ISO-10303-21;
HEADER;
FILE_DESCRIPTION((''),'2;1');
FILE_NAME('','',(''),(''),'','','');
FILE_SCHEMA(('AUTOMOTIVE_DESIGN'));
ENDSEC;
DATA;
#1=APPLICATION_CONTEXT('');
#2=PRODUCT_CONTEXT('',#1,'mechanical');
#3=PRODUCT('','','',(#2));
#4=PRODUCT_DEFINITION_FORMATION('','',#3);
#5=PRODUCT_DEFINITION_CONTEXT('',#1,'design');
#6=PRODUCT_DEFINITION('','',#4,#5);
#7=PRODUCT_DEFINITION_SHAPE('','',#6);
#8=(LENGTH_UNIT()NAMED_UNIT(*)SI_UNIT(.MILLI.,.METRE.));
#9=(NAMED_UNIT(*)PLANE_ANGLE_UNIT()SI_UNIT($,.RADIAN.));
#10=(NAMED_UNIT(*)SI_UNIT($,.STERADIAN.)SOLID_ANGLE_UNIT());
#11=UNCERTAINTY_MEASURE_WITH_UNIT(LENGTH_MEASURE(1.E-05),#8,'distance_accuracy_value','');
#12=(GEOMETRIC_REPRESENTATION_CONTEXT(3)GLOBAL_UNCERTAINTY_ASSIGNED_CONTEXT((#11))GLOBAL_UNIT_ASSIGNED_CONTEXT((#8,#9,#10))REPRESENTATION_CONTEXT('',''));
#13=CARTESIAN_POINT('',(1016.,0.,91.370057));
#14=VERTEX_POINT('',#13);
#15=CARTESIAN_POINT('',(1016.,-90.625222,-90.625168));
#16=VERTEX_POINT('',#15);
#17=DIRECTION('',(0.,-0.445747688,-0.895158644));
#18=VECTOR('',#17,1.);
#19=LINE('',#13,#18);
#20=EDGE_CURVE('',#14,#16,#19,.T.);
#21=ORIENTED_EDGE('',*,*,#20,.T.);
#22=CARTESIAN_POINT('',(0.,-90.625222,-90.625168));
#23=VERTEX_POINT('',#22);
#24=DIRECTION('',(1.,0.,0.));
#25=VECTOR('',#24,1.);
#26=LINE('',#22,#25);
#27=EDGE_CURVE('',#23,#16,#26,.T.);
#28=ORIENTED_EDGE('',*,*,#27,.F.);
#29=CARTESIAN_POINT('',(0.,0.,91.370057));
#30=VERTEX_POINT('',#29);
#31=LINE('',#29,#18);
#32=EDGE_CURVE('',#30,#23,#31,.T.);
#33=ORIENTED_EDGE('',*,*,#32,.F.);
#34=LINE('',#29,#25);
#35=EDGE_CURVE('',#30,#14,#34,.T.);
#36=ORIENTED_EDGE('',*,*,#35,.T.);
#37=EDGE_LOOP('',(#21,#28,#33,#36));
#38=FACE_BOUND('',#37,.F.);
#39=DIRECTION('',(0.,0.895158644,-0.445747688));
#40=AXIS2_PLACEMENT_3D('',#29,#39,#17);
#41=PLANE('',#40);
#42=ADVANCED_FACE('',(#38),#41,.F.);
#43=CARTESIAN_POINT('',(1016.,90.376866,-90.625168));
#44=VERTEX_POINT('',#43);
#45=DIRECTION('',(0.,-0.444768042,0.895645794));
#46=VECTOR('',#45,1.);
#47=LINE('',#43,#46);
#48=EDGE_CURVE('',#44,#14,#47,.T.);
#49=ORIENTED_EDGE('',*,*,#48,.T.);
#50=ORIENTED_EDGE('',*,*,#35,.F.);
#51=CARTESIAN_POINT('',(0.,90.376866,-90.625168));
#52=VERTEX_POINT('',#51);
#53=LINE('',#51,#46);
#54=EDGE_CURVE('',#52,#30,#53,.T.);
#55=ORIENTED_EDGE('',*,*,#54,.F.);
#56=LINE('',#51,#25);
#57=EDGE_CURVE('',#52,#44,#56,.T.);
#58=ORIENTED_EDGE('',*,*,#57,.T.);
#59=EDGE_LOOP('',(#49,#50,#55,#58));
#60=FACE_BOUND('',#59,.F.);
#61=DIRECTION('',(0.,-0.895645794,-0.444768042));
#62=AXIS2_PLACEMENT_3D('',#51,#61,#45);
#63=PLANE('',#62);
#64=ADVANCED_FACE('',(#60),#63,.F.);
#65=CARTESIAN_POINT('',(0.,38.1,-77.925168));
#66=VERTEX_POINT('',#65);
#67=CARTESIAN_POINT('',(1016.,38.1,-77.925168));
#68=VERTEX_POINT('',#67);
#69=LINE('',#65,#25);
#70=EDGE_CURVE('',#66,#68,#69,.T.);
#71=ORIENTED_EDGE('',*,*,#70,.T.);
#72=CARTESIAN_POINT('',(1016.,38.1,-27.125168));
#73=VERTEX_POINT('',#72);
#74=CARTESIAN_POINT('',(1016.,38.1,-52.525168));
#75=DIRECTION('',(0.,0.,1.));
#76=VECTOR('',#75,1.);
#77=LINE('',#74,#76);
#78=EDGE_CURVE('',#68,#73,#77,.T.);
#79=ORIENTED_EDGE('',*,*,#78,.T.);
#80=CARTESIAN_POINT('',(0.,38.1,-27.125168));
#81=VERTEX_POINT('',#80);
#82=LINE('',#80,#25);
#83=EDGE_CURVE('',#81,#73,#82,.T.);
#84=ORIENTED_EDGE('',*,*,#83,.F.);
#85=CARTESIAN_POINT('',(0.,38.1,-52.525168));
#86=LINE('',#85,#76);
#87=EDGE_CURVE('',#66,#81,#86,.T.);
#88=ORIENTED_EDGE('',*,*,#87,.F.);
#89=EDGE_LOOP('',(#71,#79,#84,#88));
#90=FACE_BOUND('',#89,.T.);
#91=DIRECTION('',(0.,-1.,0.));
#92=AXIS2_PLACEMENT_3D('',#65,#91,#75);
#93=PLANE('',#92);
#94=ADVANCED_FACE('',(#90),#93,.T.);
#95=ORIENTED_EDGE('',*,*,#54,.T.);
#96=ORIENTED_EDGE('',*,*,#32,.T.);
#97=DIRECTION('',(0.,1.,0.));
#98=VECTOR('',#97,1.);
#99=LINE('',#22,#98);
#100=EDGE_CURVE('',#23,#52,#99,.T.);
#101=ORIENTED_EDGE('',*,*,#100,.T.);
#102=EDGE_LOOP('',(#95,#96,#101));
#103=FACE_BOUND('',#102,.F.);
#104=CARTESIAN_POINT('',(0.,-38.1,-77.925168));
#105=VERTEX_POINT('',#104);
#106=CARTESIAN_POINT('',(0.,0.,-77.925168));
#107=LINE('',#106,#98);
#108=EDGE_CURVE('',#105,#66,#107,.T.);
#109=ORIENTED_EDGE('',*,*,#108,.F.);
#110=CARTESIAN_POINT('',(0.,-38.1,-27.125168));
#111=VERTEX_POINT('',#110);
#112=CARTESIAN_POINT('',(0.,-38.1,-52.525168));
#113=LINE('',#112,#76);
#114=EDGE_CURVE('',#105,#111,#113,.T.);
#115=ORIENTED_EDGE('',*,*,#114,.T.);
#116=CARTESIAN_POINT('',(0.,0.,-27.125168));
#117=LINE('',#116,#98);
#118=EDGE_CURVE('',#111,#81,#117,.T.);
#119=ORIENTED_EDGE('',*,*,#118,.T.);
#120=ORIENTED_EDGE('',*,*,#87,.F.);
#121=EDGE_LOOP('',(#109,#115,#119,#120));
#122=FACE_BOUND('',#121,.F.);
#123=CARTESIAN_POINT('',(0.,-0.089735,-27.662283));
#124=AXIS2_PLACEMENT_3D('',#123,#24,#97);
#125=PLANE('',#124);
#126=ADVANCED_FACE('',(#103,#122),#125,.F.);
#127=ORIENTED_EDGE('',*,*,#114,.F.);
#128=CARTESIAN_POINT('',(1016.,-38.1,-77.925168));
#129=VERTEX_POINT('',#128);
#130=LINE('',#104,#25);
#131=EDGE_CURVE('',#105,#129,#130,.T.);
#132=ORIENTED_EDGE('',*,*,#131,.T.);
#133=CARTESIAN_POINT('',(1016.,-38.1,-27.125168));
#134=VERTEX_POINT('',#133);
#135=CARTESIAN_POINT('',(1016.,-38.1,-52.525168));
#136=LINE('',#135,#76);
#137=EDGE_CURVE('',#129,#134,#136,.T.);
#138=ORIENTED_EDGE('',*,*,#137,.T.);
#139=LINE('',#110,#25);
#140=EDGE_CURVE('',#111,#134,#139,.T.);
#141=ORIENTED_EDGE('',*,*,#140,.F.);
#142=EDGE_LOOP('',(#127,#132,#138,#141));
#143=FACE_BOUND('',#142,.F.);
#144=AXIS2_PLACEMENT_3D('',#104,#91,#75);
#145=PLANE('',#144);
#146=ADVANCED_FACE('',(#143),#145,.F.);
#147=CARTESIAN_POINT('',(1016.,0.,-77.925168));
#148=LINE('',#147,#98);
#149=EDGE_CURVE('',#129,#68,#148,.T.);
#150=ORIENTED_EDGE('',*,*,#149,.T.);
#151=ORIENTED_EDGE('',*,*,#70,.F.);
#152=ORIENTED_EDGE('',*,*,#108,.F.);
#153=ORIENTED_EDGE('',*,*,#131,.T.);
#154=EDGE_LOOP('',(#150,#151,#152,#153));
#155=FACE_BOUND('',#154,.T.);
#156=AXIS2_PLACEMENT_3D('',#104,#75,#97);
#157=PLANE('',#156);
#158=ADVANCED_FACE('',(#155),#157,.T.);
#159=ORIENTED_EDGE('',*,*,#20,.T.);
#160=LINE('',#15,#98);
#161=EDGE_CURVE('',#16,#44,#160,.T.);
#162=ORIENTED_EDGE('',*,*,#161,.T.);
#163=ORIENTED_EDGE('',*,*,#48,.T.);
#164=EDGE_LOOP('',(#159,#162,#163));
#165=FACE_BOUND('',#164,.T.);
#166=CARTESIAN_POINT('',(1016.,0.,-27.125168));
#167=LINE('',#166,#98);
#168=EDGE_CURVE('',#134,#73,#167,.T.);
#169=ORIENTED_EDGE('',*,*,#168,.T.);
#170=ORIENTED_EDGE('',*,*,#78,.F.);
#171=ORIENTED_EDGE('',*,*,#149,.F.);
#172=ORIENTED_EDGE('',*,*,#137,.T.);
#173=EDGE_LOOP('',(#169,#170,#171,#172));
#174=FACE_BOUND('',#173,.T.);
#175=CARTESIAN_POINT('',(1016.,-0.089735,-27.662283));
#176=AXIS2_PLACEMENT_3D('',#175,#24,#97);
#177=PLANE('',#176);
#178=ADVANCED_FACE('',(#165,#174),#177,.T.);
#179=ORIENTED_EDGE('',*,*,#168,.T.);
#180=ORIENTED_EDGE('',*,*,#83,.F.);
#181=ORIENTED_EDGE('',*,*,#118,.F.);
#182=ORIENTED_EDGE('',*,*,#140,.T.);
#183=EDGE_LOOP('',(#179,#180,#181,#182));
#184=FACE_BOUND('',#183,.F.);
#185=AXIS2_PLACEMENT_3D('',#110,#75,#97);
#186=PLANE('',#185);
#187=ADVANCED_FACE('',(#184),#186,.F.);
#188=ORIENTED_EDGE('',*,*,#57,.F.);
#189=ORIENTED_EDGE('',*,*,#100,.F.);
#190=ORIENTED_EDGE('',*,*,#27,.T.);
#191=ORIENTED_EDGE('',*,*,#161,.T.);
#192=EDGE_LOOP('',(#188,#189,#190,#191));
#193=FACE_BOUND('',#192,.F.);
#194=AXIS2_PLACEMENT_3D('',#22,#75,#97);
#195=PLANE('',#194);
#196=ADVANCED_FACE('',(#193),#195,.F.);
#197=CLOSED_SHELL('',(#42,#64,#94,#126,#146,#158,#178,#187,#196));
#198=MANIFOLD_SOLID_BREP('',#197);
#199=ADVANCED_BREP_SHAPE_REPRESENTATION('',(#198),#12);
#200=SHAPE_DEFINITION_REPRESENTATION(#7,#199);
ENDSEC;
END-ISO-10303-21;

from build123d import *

# Parameters (mm, degrees)
F0_W     = 76.2
F0_H     = 50.8
F1_DEPTH = 1016


with BuildPart() as f1:
    # F0 (on Right) → F1 (new body)
    with BuildSketch(Plane.YZ):
        Polygon((0, 91.370057), (-90.625222, -90.625168), (90.376866, -90.625168), align=None)
        with Locations((0, -52.525168)):
            Rectangle(F0_W, F0_H, mode=Mode.SUBTRACT)
    extrude(amount=F1_DEPTH)


solid = f1.part
